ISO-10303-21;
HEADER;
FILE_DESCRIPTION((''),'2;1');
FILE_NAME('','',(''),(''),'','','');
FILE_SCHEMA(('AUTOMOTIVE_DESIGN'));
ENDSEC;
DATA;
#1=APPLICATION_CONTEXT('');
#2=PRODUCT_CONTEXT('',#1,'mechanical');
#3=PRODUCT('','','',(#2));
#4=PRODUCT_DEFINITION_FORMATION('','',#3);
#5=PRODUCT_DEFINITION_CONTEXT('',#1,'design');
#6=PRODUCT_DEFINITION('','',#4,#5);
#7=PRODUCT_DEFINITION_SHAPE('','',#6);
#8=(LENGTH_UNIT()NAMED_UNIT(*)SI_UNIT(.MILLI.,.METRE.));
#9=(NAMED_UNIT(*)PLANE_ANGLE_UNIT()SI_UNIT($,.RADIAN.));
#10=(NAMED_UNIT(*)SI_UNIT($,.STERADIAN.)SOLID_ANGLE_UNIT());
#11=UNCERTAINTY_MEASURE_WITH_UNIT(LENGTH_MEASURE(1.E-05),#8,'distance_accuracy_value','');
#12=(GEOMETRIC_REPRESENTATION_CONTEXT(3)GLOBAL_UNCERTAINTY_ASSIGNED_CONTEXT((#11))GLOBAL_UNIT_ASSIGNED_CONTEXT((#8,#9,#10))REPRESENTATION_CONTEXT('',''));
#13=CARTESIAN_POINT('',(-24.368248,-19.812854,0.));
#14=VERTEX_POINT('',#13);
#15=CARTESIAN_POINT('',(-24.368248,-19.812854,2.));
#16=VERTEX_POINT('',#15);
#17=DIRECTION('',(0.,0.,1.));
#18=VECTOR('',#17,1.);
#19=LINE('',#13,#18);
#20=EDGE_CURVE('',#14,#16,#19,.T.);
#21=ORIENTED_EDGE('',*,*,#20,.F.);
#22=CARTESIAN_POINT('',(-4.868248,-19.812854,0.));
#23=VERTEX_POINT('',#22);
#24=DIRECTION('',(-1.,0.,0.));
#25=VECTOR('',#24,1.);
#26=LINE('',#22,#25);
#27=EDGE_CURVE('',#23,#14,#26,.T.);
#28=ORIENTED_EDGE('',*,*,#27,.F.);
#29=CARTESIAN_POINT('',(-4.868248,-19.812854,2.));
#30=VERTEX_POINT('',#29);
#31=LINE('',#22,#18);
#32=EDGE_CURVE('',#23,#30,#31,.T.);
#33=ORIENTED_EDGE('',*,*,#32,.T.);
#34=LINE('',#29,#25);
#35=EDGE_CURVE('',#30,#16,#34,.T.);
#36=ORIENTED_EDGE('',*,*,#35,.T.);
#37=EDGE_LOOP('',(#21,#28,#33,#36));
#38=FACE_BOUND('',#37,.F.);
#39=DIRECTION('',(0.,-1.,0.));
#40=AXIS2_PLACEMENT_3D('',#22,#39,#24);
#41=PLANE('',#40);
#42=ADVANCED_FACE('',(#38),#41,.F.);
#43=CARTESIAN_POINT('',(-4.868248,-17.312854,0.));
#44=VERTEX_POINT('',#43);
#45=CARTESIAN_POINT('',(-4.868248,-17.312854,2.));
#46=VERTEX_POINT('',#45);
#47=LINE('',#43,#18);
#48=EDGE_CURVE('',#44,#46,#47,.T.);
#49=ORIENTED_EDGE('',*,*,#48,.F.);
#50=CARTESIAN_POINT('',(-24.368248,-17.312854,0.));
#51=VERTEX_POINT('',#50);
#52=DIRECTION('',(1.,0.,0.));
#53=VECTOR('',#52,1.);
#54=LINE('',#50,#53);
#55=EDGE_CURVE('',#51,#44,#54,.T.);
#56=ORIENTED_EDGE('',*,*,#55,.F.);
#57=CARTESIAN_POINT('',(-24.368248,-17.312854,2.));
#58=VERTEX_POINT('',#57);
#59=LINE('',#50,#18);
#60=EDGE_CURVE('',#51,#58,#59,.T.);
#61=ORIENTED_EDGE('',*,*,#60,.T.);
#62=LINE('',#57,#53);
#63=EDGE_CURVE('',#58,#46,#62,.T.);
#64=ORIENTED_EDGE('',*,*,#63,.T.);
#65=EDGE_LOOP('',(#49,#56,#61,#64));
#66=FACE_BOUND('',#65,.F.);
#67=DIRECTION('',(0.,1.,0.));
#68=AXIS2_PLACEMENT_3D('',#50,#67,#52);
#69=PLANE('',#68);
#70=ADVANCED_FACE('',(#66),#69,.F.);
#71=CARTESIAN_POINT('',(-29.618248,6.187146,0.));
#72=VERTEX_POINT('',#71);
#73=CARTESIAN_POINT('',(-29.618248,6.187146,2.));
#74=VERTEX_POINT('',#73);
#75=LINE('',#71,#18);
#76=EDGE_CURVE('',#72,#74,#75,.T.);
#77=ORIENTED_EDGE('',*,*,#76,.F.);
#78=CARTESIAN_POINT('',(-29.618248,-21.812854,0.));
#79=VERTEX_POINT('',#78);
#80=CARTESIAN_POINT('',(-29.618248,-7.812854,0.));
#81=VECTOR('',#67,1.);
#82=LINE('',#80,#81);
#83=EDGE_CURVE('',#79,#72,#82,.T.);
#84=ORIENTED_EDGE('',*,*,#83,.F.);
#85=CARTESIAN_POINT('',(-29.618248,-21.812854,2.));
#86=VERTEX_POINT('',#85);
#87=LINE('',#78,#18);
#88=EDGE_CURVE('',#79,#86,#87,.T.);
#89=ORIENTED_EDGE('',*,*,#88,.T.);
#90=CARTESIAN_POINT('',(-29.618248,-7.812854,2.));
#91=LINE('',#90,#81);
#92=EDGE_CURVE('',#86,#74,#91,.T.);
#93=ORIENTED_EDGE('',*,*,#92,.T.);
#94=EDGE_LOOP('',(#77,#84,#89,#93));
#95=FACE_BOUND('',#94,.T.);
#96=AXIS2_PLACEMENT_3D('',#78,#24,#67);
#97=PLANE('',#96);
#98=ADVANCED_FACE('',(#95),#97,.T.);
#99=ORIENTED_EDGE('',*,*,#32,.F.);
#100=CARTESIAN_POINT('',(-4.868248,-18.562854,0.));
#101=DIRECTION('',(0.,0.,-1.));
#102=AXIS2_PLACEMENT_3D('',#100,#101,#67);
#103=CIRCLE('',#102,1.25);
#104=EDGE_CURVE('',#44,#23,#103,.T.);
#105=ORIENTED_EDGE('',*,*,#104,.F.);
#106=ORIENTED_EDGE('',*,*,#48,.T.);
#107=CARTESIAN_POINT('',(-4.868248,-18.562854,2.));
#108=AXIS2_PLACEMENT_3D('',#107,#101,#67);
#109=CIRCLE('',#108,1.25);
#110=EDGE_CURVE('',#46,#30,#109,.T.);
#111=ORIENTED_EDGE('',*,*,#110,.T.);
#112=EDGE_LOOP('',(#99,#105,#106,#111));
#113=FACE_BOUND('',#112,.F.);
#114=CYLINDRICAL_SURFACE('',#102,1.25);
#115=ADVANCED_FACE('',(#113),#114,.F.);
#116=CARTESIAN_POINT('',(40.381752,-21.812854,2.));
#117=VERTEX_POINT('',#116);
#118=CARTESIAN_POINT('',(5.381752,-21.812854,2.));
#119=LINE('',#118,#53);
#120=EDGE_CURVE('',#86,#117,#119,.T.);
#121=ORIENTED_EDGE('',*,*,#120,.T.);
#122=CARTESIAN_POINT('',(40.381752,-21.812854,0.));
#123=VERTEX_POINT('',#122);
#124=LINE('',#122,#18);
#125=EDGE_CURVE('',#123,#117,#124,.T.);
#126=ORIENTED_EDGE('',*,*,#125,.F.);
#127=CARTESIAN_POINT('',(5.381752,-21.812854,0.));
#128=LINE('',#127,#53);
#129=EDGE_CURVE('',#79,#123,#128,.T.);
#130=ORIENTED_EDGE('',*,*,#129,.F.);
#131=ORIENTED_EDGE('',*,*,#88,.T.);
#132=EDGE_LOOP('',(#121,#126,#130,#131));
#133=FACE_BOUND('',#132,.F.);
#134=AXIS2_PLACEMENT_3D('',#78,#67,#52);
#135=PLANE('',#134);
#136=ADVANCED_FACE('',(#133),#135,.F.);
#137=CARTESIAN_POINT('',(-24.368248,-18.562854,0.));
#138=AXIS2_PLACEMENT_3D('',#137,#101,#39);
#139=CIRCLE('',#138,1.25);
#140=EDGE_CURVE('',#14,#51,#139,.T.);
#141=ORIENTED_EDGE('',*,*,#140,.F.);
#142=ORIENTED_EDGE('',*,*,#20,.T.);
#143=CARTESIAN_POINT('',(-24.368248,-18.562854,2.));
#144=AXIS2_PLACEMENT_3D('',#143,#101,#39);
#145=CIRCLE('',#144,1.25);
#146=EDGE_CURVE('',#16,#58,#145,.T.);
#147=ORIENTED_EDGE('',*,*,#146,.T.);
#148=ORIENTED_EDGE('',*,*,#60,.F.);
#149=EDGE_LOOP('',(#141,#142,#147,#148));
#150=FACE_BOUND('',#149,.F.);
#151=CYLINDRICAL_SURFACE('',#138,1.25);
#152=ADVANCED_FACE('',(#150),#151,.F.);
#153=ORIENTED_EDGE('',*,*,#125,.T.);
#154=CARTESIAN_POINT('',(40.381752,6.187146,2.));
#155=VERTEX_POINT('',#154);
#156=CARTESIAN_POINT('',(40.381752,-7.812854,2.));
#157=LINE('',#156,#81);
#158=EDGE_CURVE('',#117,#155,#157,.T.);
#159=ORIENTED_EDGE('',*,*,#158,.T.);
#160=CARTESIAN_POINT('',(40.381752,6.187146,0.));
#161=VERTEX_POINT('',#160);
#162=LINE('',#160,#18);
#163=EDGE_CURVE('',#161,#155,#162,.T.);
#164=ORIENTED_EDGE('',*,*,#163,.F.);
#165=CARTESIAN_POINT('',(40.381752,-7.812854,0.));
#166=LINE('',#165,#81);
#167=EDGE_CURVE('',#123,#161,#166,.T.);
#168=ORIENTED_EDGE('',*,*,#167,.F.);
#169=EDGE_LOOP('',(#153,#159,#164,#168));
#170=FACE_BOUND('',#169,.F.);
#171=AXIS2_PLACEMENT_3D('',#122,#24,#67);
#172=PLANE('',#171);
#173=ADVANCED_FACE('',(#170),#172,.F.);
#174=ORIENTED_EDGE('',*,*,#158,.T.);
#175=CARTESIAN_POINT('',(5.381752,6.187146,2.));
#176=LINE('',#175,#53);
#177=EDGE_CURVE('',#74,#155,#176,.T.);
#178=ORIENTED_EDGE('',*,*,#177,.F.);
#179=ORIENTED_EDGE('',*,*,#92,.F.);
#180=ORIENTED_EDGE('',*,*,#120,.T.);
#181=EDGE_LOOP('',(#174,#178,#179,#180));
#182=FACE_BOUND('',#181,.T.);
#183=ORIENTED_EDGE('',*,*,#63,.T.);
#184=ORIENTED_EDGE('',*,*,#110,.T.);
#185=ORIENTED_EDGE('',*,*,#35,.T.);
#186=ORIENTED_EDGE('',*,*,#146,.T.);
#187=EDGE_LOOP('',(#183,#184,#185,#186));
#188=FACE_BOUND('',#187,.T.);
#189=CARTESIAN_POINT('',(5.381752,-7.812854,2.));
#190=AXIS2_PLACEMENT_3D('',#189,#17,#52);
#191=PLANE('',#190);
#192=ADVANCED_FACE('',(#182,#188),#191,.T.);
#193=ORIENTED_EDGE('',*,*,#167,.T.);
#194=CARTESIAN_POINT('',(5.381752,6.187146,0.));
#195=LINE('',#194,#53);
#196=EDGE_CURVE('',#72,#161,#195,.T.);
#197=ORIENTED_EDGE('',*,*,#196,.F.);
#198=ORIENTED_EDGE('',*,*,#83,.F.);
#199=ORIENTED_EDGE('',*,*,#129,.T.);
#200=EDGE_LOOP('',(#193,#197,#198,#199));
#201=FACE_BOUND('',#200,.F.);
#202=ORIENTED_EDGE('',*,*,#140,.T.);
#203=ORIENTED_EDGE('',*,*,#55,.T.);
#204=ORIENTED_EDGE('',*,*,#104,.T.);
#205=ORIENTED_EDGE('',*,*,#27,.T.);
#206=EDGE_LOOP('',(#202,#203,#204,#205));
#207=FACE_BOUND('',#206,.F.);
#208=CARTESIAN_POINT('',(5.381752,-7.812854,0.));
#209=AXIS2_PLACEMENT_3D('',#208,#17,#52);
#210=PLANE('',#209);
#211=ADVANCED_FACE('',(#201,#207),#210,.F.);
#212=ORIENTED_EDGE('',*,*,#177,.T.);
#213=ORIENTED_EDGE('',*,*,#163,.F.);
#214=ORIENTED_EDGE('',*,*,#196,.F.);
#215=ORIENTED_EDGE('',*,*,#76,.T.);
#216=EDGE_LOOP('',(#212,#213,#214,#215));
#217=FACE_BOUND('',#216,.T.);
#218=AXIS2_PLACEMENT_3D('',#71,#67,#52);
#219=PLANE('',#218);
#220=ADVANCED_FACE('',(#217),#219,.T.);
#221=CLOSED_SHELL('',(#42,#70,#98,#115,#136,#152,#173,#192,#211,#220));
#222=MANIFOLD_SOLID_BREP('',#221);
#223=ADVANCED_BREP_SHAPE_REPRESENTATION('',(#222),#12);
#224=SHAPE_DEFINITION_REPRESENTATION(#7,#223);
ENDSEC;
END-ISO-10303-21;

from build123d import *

# Parameters (mm, degrees)
F0_W     = 70
F0_H     = 28
F1_DEPTH = 2


with BuildPart() as f1:
    # F0 (on Top) → F1 (new body)
    with BuildSketch(Plane.XY):
        with Locations((5.381752, -7.812854)):
            Rectangle(F0_W, F0_H)
        with BuildLine():
            ThreePointArc((-24.368248, -19.812854), (-25.618248, -18.562854), (-24.368248, -17.312854))
            Line((-24.368248, -17.312854), (-4.868248, -17.312854))
            ThreePointArc((-4.868248, -17.312854), (-3.618248, -18.562854), (-4.868248, -19.812854))
            Line((-4.868248, -19.812854), (-24.368248, -19.812854))
        make_face(mode=Mode.SUBTRACT)
    extrude(amount=F1_DEPTH)


solid = f1.part
